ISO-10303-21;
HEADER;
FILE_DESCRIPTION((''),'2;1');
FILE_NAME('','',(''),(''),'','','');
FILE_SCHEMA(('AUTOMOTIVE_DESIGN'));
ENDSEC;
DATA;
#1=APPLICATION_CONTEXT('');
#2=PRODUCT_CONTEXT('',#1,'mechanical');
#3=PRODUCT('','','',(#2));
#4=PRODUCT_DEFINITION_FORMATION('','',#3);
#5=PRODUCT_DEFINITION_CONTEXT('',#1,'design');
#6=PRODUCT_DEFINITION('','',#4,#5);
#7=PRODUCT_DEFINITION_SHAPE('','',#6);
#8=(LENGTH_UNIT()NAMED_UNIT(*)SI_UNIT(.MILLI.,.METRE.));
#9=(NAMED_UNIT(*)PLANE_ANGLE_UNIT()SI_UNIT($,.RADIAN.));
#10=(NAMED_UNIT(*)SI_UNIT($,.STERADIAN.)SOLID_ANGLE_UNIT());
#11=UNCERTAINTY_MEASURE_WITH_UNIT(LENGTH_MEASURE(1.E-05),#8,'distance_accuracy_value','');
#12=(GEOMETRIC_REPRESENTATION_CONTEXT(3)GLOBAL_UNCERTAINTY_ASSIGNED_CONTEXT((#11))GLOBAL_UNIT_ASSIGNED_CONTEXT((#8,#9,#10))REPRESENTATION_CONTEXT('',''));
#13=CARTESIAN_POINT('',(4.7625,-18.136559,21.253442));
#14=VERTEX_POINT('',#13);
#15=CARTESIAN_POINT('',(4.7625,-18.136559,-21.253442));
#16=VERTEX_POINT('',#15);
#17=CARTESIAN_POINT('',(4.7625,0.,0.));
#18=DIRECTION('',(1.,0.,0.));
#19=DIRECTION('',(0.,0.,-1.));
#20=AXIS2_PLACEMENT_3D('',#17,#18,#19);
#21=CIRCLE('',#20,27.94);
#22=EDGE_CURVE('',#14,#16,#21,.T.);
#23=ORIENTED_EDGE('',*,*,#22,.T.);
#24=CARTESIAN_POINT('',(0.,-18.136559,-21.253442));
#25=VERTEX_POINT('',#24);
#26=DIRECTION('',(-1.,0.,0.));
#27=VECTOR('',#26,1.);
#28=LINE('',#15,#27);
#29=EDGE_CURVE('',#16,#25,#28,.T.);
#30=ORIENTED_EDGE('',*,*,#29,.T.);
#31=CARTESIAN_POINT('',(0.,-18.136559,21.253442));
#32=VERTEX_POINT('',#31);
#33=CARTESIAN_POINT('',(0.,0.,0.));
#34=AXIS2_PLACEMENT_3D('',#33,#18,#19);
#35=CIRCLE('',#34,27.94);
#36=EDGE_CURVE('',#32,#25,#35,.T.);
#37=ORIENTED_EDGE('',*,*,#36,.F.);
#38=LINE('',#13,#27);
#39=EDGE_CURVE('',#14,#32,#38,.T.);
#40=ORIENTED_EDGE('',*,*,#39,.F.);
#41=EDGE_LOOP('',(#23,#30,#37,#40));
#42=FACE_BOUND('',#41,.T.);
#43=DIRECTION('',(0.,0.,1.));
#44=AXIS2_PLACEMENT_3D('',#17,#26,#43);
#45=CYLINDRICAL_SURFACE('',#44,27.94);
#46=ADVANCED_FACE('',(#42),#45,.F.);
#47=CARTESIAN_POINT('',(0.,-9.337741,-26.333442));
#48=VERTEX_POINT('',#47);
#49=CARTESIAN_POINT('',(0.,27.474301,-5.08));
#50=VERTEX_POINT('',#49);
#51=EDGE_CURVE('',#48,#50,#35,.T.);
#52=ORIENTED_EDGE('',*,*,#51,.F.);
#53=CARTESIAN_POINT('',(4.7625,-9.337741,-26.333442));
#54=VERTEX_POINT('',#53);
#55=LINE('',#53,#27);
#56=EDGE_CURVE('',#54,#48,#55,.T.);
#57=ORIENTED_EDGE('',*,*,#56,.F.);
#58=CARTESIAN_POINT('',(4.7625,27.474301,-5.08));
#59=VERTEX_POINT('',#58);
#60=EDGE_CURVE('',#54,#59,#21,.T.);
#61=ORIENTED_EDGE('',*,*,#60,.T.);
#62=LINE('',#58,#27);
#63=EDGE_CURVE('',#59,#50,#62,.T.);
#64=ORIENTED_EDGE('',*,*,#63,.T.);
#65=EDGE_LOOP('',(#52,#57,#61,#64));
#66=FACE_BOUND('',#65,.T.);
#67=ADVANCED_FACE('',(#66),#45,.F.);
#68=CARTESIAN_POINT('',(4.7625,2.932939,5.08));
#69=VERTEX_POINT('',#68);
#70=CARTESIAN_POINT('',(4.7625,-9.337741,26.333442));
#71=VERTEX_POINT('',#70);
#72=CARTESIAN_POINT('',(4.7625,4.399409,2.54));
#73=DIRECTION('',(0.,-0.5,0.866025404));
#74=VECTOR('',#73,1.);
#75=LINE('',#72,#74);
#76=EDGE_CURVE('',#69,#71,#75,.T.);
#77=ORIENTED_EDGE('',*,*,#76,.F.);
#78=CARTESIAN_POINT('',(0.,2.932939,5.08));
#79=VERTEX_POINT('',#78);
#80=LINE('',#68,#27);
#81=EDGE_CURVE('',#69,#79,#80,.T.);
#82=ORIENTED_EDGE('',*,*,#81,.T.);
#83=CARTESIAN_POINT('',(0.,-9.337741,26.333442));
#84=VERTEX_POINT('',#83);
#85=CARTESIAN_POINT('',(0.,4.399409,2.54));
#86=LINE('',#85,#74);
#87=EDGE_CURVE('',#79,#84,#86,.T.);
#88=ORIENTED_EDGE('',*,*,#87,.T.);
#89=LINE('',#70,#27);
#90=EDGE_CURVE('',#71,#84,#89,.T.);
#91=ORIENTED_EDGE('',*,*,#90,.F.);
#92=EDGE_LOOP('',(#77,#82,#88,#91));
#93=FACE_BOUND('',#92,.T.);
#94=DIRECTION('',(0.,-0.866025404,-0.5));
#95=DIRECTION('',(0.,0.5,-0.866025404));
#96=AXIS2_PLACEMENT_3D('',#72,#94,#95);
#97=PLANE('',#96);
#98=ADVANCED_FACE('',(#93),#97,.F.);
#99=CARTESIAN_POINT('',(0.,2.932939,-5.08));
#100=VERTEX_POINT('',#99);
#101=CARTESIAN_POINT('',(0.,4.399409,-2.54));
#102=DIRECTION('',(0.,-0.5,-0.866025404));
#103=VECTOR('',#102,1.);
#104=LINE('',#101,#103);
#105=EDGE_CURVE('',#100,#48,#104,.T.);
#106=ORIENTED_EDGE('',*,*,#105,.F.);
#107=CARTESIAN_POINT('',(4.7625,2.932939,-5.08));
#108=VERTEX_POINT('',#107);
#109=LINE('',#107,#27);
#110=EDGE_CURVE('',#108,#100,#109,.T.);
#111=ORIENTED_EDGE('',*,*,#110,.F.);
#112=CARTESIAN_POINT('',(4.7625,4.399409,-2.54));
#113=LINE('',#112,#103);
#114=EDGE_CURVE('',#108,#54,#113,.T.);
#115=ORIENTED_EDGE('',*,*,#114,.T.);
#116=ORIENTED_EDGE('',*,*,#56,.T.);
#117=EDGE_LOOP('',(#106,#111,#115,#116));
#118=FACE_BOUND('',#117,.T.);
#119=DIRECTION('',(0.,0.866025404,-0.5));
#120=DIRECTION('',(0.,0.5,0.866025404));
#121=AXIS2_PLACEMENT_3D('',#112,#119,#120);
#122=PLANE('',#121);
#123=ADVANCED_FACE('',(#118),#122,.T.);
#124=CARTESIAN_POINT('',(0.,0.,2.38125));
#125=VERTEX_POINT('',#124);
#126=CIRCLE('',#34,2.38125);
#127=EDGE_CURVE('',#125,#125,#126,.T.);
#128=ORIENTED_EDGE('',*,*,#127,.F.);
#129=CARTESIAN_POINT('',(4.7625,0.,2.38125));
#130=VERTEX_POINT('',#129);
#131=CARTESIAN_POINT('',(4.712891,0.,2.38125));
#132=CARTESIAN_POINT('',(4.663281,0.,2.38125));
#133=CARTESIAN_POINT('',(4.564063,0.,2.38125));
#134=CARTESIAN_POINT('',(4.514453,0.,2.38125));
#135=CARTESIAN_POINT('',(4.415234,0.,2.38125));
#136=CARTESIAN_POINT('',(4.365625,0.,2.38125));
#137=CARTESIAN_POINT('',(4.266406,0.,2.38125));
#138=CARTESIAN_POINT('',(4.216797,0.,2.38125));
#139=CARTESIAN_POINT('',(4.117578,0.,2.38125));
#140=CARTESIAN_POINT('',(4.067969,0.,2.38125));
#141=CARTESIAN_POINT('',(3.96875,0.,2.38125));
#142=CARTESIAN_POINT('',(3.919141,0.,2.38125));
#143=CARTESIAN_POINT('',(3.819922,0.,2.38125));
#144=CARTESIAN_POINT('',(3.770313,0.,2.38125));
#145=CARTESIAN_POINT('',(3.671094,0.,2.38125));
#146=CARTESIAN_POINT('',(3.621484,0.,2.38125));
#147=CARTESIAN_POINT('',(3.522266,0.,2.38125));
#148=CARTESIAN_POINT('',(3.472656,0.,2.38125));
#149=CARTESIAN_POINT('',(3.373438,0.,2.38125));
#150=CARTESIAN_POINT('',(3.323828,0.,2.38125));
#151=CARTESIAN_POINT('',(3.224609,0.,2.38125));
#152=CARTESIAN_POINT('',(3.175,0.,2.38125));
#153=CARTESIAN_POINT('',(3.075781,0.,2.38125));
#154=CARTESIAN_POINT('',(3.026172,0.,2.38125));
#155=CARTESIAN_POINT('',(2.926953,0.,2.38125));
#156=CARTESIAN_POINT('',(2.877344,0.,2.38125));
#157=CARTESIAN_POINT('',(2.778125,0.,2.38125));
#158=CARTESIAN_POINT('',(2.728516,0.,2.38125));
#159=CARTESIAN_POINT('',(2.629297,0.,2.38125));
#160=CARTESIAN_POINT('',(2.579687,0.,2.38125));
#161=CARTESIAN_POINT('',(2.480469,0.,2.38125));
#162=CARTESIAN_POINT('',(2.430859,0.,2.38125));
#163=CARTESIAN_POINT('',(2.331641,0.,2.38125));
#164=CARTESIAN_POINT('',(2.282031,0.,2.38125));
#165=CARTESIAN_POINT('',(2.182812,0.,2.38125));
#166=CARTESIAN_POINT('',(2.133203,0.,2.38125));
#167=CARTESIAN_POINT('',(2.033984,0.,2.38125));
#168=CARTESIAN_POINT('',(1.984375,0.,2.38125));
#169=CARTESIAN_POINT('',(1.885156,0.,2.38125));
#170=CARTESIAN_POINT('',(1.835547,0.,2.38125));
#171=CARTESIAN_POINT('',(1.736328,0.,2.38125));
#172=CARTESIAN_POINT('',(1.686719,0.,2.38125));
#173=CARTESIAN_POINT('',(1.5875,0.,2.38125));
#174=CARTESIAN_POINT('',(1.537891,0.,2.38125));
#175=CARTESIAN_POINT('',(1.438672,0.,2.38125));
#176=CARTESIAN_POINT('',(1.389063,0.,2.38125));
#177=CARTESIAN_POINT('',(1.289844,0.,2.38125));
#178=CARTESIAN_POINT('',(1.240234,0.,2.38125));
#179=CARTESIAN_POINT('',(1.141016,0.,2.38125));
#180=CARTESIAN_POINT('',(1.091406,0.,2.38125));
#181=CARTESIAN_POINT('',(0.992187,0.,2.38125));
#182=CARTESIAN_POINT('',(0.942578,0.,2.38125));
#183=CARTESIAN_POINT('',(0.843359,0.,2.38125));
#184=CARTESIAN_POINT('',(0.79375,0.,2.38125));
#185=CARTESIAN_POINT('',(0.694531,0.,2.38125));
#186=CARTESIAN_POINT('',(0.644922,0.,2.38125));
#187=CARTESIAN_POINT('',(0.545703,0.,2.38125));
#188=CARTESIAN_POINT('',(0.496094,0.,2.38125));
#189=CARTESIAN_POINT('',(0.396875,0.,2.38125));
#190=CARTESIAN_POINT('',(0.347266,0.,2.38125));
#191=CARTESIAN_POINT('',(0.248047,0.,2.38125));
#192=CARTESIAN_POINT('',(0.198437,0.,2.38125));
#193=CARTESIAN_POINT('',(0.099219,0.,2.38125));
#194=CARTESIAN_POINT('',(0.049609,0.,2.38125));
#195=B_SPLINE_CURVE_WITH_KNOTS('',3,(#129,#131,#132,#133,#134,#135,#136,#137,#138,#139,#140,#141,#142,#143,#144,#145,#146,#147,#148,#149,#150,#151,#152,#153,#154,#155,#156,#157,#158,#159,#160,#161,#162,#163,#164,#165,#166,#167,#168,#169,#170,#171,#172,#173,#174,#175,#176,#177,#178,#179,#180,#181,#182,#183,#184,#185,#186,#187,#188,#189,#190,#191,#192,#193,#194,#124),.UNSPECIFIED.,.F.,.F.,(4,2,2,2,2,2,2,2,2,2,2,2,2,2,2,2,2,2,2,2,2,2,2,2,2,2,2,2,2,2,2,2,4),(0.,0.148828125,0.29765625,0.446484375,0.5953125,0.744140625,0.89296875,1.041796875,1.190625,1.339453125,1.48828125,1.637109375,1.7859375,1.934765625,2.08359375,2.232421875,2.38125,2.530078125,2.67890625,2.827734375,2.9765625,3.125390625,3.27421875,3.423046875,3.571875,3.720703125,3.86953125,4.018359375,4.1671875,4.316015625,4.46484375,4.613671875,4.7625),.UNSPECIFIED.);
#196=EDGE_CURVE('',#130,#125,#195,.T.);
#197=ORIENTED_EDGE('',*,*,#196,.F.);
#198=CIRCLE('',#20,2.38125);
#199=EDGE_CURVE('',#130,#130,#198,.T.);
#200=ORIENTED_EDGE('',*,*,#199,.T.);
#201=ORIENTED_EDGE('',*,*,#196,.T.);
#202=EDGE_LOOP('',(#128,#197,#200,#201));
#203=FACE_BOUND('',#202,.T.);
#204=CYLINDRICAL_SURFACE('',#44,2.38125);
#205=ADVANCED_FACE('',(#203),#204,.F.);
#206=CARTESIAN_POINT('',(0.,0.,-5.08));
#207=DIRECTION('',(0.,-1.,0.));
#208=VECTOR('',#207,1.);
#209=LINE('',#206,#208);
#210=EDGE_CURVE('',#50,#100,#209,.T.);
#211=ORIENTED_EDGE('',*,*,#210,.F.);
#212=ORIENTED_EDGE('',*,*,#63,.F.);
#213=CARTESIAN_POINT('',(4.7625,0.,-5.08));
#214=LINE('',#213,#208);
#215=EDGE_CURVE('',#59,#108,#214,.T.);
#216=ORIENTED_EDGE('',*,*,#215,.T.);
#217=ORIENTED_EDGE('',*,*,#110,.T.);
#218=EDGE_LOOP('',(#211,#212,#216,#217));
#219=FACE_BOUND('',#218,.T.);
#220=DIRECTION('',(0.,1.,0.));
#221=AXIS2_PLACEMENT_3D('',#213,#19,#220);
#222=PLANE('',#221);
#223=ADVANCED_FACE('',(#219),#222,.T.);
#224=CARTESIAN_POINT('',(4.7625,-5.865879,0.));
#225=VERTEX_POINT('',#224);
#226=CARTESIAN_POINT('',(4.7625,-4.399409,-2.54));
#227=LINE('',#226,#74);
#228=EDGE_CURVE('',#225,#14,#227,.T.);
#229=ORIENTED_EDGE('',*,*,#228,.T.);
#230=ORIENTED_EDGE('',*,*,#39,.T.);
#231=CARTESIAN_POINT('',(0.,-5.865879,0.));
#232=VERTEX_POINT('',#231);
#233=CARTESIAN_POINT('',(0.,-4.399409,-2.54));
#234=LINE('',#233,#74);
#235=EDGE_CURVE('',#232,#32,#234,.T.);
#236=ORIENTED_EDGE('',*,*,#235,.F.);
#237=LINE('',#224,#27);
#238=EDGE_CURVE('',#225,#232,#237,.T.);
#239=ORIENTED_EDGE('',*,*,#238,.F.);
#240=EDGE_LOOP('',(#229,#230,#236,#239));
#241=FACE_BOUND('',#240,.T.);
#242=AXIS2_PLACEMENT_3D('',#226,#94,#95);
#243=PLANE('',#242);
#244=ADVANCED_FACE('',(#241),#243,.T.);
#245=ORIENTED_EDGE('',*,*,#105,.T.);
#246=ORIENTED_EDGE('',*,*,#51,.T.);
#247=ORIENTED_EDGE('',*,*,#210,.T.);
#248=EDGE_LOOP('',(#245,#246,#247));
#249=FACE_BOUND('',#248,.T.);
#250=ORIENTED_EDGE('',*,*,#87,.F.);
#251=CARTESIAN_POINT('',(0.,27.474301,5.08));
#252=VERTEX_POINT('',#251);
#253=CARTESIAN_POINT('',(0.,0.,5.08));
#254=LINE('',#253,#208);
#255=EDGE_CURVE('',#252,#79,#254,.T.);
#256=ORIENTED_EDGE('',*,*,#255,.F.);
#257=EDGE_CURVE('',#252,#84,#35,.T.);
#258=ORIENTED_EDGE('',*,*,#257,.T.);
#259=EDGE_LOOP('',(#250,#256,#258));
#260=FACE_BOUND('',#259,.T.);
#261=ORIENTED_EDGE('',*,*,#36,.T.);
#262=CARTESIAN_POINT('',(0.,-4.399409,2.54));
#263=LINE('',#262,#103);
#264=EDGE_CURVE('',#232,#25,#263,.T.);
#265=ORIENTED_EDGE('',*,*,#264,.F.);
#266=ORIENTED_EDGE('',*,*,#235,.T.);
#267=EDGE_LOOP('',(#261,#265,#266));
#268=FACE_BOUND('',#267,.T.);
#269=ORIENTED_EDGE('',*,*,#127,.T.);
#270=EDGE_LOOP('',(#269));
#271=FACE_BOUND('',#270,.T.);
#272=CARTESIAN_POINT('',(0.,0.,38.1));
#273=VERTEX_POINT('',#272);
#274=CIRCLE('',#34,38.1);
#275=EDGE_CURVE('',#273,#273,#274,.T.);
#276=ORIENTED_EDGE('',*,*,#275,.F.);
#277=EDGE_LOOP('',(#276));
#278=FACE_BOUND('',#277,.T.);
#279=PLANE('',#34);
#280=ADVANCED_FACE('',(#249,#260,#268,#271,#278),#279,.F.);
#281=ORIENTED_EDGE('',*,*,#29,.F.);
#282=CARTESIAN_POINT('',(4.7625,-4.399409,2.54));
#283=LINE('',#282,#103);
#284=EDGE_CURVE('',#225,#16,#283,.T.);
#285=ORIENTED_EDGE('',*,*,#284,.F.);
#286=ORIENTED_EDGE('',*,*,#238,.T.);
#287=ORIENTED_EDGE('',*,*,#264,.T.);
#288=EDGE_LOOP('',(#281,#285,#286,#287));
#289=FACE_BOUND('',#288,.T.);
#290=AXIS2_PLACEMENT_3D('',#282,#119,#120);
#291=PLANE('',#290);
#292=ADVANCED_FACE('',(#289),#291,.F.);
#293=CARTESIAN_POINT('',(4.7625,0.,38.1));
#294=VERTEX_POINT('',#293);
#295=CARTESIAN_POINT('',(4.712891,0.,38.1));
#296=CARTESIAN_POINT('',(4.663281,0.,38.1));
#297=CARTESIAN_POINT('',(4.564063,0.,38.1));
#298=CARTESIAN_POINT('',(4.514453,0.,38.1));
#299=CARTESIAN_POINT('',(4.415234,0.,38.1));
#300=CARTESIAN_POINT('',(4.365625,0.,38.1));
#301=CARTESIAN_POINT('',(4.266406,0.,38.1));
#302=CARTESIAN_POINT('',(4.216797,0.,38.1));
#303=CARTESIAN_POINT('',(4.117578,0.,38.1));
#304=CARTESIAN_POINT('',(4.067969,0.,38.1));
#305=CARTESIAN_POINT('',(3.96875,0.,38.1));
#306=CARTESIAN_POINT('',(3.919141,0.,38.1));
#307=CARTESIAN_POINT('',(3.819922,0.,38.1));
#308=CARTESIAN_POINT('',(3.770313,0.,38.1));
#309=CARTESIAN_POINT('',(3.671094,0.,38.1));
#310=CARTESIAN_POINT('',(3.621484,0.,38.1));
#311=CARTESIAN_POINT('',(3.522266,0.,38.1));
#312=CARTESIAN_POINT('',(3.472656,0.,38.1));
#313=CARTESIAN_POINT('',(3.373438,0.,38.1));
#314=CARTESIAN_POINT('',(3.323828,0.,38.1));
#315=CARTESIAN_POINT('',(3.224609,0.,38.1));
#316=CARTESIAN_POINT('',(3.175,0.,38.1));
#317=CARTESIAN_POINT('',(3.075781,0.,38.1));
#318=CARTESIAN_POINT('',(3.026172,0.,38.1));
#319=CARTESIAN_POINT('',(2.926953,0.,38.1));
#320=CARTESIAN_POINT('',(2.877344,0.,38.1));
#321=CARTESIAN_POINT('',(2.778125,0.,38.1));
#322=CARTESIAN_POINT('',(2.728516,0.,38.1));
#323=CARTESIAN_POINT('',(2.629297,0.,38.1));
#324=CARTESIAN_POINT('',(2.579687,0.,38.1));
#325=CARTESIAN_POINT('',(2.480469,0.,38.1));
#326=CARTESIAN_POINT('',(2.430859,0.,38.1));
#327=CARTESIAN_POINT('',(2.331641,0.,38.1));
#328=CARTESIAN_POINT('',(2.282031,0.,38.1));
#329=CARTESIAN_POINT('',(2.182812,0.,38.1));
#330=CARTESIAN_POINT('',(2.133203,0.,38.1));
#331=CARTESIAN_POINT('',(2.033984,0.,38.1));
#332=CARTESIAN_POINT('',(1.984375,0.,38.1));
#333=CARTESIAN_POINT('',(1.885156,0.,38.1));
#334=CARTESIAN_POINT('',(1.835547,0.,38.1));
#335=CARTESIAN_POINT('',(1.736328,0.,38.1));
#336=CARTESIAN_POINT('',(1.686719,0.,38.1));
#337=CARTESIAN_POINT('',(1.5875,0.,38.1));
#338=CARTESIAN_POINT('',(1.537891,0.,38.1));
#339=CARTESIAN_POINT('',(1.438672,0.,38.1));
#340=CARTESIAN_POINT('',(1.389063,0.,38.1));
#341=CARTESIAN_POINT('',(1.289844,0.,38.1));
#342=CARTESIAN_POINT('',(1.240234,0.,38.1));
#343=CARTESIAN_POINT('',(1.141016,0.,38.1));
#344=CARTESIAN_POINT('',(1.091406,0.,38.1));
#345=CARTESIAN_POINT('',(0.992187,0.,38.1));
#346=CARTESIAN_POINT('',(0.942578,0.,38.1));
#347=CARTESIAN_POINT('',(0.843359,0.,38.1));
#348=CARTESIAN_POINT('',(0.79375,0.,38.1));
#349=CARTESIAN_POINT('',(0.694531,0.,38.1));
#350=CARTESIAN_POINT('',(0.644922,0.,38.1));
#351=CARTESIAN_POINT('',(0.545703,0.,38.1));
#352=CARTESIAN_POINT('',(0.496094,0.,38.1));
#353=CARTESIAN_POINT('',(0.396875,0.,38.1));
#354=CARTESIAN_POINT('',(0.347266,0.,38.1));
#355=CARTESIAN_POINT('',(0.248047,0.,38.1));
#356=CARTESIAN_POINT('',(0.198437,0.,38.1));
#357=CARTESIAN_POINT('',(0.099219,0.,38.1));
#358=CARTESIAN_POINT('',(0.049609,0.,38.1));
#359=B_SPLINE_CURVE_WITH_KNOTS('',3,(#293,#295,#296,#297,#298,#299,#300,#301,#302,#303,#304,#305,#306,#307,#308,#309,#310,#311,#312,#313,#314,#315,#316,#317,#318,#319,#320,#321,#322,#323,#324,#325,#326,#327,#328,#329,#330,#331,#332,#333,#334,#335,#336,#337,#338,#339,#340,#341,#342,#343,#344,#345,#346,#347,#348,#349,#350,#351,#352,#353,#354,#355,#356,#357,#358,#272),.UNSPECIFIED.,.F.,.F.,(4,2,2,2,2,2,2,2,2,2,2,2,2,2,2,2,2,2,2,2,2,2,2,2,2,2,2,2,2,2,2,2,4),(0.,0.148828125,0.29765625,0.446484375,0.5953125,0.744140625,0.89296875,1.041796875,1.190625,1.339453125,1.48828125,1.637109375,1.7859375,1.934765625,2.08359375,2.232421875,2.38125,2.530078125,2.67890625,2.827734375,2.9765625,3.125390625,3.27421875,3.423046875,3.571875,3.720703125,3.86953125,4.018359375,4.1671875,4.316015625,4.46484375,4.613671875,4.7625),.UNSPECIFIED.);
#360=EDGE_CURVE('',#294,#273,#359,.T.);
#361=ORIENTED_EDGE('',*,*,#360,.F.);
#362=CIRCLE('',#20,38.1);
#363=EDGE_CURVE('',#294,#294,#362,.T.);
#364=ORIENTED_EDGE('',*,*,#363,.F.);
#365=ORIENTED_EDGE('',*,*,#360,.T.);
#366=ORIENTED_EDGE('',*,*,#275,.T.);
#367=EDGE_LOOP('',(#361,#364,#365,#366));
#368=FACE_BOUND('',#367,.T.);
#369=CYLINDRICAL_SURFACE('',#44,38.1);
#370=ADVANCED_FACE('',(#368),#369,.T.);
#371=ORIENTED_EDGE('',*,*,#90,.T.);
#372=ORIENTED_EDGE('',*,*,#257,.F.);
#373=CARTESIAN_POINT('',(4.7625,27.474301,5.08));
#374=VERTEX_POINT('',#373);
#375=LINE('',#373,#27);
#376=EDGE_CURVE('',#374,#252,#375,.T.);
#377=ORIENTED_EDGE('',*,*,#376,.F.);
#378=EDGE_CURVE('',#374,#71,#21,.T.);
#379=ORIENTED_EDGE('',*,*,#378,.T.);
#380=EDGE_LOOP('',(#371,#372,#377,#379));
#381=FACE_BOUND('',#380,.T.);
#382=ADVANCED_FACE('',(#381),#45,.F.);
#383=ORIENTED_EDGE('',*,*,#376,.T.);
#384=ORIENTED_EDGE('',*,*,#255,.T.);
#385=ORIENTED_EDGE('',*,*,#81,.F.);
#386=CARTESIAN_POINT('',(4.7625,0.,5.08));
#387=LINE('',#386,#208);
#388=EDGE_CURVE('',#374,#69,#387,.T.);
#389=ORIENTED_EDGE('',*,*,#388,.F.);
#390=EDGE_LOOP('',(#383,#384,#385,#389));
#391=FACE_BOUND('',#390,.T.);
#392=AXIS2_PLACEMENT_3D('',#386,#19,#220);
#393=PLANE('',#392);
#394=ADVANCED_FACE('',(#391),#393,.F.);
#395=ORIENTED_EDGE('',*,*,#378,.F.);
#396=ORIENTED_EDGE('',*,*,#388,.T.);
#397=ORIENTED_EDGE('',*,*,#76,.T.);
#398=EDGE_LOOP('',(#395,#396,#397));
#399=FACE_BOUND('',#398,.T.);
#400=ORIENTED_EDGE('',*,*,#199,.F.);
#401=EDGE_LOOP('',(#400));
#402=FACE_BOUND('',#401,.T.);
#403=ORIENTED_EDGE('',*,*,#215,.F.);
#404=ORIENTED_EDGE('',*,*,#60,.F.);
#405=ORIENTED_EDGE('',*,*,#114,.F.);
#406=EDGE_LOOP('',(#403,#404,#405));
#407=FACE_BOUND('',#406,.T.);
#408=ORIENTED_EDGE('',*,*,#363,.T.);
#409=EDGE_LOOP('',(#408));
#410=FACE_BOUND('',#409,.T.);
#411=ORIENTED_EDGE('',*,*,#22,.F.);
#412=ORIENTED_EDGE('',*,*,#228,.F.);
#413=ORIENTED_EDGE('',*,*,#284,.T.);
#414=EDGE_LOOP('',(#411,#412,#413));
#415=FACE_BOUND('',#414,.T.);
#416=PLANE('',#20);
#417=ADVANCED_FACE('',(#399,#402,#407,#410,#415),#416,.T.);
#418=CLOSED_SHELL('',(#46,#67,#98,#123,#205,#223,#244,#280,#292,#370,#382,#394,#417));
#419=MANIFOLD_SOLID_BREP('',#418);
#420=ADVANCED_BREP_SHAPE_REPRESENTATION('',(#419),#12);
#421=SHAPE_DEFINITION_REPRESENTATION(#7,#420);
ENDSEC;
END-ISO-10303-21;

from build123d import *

# Parameters (mm, degrees)
SKETCH2_R           = 38.1
BOSS_EXTRUDE5_DEPTH = 4.7625
SKETCH2_3_R         = 2.38125
CUT_EXTRUDE3_DEPTH  = 55.091601994


with BuildPart() as part:
    # Sketch2 → Boss-Extrude5 (new body)
    with BuildSketch(Plane(origin=(0, 0, 0), x_dir=(0, 0, -1), z_dir=(1, 0, 0))):
        Circle(SKETCH2_R)
    extrude(amount=BOSS_EXTRUDE5_DEPTH)

    # Sketch2<3> → Cut-Extrude3 (cut, through all)
    with BuildSketch(Plane(origin=(0, 0, 0), x_dir=(0, 0, -1), z_dir=(1, 0, 0))):
        with BuildLine():
            Line((21.253442374, -18.136559411), (0, -5.865878735))
            Line((0, -5.865878735), (-21.253442374, -18.136559411))
            ThreePointArc((-21.253442374, -18.136559411), (0, -27.94), (21.253442374, -18.136559411))
        make_face()
        with BuildLine():
            Line((-26.333442374, -9.337741308), (-5.08, 2.932939367))
            Line((-5.08, 2.932939367), (-5.08, 27.474300719))
            ThreePointArc((-5.08, 27.474300719), (-24.196749782, 13.97), (-26.333442374, -9.337741308))
        make_face()
        with BuildLine():
            Line((5.08, 2.932939367), (26.333442374, -9.337741308))
            ThreePointArc((26.333442374, -9.337741308), (24.196749782, 13.97), (5.08, 27.474300719))
            Line((5.08, 27.474300719), (5.08, 2.932939367))
        make_face()
        Circle(SKETCH2_3_R)
    extrude(amount=CUT_EXTRUDE3_DEPTH, mode=Mode.SUBTRACT)


solid = part.part
